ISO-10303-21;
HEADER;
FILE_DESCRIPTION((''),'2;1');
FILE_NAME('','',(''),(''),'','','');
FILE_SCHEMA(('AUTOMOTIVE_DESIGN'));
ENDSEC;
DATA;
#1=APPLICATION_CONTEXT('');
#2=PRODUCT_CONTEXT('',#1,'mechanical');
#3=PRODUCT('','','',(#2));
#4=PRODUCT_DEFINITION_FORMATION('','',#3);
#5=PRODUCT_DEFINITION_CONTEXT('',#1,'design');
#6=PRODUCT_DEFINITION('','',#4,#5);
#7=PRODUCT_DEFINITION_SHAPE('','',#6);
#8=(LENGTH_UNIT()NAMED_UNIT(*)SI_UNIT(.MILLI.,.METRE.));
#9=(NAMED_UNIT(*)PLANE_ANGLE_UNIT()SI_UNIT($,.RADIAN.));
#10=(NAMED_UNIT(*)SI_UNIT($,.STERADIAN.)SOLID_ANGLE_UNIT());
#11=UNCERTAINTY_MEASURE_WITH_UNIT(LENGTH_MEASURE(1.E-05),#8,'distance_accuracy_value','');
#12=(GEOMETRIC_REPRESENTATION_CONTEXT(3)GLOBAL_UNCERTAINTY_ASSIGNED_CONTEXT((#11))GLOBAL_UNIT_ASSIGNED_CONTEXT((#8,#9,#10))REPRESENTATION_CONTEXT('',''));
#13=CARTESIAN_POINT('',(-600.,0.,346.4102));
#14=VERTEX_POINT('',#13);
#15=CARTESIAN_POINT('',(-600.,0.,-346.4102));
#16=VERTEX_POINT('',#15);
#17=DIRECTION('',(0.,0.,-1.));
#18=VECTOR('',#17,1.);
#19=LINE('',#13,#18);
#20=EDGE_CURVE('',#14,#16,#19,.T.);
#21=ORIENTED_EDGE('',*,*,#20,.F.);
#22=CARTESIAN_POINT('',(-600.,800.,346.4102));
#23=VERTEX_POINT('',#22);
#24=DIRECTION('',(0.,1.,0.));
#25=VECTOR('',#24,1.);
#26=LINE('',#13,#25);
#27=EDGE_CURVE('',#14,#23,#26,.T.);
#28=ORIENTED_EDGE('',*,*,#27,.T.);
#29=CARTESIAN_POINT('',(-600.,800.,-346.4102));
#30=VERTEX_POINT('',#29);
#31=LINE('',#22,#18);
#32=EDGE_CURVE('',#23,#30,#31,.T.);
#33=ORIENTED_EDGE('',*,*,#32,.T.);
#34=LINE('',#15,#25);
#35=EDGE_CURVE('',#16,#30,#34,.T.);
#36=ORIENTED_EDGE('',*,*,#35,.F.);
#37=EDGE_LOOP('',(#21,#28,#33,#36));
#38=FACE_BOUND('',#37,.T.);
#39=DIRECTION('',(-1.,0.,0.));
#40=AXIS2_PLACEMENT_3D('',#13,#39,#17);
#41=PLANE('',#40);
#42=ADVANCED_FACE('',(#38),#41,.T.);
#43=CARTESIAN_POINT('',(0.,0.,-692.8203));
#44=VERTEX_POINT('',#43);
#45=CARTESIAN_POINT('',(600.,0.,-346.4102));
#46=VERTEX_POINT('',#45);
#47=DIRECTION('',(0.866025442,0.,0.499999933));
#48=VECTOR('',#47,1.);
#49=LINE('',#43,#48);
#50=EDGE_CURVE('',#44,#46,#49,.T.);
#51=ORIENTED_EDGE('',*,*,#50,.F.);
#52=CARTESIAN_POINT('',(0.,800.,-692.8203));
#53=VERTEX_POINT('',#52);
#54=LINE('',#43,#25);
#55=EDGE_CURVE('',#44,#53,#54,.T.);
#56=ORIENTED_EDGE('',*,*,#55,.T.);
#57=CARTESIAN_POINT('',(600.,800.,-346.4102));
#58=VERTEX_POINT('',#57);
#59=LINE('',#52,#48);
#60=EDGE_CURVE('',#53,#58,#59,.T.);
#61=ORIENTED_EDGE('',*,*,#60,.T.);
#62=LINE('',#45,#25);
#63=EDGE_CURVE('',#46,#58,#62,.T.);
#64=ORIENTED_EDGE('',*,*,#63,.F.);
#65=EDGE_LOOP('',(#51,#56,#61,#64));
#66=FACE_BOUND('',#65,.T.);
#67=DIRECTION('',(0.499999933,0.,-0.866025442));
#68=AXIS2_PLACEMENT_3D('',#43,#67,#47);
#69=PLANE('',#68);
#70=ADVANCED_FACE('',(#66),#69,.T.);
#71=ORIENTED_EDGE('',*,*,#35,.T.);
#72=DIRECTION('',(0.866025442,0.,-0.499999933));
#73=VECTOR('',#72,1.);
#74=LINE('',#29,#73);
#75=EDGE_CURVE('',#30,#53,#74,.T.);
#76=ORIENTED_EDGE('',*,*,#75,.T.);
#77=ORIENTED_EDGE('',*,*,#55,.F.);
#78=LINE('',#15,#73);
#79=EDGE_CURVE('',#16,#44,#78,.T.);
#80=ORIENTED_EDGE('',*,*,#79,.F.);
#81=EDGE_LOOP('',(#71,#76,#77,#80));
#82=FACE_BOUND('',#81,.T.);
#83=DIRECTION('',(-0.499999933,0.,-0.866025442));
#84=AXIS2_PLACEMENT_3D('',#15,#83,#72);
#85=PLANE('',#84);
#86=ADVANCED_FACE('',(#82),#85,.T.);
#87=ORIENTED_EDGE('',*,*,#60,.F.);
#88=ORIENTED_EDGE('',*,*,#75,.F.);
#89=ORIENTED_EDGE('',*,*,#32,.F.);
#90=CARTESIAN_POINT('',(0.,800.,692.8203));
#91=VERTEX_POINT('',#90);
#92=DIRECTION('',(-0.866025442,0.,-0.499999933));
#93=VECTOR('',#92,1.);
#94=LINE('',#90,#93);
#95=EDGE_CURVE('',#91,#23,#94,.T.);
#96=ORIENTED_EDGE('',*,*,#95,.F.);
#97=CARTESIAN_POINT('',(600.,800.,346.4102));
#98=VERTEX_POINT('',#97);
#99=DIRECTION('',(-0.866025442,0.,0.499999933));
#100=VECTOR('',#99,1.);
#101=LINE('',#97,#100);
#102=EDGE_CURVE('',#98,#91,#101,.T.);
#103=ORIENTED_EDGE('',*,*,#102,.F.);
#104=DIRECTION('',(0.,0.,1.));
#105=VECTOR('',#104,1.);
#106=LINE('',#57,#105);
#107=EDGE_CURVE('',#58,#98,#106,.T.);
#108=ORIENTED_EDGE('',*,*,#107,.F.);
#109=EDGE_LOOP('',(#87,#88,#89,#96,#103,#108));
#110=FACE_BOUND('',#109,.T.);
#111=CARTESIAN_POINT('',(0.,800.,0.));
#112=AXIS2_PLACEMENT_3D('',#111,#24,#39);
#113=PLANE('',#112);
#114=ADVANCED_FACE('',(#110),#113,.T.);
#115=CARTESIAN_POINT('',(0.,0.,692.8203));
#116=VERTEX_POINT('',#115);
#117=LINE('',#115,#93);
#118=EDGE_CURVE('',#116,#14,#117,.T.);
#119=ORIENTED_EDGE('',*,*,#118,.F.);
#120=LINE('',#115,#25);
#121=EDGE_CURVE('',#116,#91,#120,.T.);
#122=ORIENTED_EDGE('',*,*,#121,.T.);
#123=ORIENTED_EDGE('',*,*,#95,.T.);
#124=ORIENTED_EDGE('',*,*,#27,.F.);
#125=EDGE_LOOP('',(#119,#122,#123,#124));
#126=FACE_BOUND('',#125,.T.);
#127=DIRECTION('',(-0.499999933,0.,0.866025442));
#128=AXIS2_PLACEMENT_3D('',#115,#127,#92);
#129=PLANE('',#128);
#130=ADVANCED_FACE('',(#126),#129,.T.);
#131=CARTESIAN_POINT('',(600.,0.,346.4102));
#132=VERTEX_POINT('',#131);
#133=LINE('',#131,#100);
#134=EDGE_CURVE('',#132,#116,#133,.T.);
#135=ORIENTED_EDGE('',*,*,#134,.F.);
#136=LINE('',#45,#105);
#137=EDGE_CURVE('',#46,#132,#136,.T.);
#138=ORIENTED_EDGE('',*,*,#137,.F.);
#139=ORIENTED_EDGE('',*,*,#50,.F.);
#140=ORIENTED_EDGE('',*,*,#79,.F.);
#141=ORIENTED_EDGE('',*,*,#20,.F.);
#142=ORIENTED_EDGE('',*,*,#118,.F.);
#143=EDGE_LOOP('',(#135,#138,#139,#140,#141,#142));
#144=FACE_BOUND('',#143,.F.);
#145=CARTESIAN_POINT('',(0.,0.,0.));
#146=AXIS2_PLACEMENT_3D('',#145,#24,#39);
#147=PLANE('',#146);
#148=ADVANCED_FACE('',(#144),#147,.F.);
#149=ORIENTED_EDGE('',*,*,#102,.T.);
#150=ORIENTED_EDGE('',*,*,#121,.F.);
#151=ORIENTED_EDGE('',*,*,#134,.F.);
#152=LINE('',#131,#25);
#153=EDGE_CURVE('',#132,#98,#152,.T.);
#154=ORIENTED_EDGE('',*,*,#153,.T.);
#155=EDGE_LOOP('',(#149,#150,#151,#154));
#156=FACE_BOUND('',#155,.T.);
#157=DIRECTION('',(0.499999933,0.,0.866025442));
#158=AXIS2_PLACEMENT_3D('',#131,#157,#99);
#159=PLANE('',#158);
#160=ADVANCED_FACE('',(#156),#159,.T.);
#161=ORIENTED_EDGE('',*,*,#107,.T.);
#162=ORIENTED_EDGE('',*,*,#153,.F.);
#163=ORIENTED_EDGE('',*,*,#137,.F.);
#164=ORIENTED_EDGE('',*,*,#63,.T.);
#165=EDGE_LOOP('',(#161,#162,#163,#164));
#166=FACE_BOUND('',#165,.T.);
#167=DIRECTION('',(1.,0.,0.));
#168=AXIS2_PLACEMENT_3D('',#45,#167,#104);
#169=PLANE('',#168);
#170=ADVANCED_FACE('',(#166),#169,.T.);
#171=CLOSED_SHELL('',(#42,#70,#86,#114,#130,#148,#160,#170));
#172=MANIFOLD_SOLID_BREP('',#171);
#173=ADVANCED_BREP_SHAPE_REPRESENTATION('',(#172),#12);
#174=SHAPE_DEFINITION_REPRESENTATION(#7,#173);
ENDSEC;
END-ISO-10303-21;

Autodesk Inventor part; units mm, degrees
ref_plane "YZ Plane" through (0, 0, 0) normal (1, 0, 0) x (0, 1, 0)
ref_plane "XZ Plane" through (0, 0, 0) normal (0, 1, 0) x (-1, 0, 0)
ref_plane "XY Plane" through (0, 0, 0) normal (0, 0, 1) x (1, 0, 0)
sketch "Sketch1" plane through (0, 0, 0) normal (0, 1, 0) x (-1, 0, 0)
  line L0 (0, -692.8203) -> (-600, -346.4102)
  line L1 (-600, -346.4102) -> (-600, 346.4102)
  line L2 (-600, 346.4102) -> (0, 692.8203)
  line L3 (0, 692.8203) -> (600, 346.4102)
  line L4 (600, 346.4102) -> (600, -346.4102)
  line L5 (600, -346.4102) -> (0, -692.8203)
  point P0 (0, 0)
  point P1 (0, 0)
  dimension "d0" = 1200
extrude "Extrusion1" add sketch "Sketch1" along normal blind 800
sketch "Sketch2" plane through (600, 0, 346.4102) normal (0.5, 0, 0.866) x (0.866, 0, -0.5)
  line L0 (-692.8203, 0) -> (-692.8203, 800) projected
  line L1 (-692.8203, 400) -> (0, 400)
  line L2 (0, 0) -> (0, 800) projected
  point P0 (-346.4102, 0)
  dimension "d3" = 400
sketch "Sketch3" plane through (600, 0, 346.4102) normal (1, 0, 0) x (0, 0, -1)
  line L0 (0, 0) -> (0, 800) projected
  line L1 (0, 400) -> (692.8203, 400)
  line L2 (692.8203, 0) -> (692.8203, 800) projected
  point P0 (346.4102, 0)
sketch "Sketch4" plane through (0, 0, -692.8203) normal (0.5, 0, -0.866) x (-0.866, 0, -0.5)
  line L0 (-692.8203, 0) -> (-692.8203, 800) projected
  line L1 (-692.8203, 400) -> (0, 400)
  line L2 (0, 0) -> (0, 800) projected
  point P0 (-346.4102, 0)
sketch "Sketch5" plane through (0, 0, 692.8203) normal (-0.5, 0, 0.866) x (0.866, 0, 0.5)
  line L0 (0, 400) -> (-692.8203, 400) projected
  point P0 (-346.4102, 0)
sketch "Sketch6" plane through (-600, 0, -346.4102) normal (-1, 0, 0) x (0, 0, 1)
  line L0 (692.8203, 400) -> (0, 400) projected
  point P0 (346.4102, 0)
sketch "Sketch7" plane through (-600, 0, -346.4102) normal (-0.5, 0, -0.866) x (-0.866, 0, 0.5)
  line L0 (0, 400) -> (-692.8203, 400) projected
  point P0 (-346.4102, 0)
